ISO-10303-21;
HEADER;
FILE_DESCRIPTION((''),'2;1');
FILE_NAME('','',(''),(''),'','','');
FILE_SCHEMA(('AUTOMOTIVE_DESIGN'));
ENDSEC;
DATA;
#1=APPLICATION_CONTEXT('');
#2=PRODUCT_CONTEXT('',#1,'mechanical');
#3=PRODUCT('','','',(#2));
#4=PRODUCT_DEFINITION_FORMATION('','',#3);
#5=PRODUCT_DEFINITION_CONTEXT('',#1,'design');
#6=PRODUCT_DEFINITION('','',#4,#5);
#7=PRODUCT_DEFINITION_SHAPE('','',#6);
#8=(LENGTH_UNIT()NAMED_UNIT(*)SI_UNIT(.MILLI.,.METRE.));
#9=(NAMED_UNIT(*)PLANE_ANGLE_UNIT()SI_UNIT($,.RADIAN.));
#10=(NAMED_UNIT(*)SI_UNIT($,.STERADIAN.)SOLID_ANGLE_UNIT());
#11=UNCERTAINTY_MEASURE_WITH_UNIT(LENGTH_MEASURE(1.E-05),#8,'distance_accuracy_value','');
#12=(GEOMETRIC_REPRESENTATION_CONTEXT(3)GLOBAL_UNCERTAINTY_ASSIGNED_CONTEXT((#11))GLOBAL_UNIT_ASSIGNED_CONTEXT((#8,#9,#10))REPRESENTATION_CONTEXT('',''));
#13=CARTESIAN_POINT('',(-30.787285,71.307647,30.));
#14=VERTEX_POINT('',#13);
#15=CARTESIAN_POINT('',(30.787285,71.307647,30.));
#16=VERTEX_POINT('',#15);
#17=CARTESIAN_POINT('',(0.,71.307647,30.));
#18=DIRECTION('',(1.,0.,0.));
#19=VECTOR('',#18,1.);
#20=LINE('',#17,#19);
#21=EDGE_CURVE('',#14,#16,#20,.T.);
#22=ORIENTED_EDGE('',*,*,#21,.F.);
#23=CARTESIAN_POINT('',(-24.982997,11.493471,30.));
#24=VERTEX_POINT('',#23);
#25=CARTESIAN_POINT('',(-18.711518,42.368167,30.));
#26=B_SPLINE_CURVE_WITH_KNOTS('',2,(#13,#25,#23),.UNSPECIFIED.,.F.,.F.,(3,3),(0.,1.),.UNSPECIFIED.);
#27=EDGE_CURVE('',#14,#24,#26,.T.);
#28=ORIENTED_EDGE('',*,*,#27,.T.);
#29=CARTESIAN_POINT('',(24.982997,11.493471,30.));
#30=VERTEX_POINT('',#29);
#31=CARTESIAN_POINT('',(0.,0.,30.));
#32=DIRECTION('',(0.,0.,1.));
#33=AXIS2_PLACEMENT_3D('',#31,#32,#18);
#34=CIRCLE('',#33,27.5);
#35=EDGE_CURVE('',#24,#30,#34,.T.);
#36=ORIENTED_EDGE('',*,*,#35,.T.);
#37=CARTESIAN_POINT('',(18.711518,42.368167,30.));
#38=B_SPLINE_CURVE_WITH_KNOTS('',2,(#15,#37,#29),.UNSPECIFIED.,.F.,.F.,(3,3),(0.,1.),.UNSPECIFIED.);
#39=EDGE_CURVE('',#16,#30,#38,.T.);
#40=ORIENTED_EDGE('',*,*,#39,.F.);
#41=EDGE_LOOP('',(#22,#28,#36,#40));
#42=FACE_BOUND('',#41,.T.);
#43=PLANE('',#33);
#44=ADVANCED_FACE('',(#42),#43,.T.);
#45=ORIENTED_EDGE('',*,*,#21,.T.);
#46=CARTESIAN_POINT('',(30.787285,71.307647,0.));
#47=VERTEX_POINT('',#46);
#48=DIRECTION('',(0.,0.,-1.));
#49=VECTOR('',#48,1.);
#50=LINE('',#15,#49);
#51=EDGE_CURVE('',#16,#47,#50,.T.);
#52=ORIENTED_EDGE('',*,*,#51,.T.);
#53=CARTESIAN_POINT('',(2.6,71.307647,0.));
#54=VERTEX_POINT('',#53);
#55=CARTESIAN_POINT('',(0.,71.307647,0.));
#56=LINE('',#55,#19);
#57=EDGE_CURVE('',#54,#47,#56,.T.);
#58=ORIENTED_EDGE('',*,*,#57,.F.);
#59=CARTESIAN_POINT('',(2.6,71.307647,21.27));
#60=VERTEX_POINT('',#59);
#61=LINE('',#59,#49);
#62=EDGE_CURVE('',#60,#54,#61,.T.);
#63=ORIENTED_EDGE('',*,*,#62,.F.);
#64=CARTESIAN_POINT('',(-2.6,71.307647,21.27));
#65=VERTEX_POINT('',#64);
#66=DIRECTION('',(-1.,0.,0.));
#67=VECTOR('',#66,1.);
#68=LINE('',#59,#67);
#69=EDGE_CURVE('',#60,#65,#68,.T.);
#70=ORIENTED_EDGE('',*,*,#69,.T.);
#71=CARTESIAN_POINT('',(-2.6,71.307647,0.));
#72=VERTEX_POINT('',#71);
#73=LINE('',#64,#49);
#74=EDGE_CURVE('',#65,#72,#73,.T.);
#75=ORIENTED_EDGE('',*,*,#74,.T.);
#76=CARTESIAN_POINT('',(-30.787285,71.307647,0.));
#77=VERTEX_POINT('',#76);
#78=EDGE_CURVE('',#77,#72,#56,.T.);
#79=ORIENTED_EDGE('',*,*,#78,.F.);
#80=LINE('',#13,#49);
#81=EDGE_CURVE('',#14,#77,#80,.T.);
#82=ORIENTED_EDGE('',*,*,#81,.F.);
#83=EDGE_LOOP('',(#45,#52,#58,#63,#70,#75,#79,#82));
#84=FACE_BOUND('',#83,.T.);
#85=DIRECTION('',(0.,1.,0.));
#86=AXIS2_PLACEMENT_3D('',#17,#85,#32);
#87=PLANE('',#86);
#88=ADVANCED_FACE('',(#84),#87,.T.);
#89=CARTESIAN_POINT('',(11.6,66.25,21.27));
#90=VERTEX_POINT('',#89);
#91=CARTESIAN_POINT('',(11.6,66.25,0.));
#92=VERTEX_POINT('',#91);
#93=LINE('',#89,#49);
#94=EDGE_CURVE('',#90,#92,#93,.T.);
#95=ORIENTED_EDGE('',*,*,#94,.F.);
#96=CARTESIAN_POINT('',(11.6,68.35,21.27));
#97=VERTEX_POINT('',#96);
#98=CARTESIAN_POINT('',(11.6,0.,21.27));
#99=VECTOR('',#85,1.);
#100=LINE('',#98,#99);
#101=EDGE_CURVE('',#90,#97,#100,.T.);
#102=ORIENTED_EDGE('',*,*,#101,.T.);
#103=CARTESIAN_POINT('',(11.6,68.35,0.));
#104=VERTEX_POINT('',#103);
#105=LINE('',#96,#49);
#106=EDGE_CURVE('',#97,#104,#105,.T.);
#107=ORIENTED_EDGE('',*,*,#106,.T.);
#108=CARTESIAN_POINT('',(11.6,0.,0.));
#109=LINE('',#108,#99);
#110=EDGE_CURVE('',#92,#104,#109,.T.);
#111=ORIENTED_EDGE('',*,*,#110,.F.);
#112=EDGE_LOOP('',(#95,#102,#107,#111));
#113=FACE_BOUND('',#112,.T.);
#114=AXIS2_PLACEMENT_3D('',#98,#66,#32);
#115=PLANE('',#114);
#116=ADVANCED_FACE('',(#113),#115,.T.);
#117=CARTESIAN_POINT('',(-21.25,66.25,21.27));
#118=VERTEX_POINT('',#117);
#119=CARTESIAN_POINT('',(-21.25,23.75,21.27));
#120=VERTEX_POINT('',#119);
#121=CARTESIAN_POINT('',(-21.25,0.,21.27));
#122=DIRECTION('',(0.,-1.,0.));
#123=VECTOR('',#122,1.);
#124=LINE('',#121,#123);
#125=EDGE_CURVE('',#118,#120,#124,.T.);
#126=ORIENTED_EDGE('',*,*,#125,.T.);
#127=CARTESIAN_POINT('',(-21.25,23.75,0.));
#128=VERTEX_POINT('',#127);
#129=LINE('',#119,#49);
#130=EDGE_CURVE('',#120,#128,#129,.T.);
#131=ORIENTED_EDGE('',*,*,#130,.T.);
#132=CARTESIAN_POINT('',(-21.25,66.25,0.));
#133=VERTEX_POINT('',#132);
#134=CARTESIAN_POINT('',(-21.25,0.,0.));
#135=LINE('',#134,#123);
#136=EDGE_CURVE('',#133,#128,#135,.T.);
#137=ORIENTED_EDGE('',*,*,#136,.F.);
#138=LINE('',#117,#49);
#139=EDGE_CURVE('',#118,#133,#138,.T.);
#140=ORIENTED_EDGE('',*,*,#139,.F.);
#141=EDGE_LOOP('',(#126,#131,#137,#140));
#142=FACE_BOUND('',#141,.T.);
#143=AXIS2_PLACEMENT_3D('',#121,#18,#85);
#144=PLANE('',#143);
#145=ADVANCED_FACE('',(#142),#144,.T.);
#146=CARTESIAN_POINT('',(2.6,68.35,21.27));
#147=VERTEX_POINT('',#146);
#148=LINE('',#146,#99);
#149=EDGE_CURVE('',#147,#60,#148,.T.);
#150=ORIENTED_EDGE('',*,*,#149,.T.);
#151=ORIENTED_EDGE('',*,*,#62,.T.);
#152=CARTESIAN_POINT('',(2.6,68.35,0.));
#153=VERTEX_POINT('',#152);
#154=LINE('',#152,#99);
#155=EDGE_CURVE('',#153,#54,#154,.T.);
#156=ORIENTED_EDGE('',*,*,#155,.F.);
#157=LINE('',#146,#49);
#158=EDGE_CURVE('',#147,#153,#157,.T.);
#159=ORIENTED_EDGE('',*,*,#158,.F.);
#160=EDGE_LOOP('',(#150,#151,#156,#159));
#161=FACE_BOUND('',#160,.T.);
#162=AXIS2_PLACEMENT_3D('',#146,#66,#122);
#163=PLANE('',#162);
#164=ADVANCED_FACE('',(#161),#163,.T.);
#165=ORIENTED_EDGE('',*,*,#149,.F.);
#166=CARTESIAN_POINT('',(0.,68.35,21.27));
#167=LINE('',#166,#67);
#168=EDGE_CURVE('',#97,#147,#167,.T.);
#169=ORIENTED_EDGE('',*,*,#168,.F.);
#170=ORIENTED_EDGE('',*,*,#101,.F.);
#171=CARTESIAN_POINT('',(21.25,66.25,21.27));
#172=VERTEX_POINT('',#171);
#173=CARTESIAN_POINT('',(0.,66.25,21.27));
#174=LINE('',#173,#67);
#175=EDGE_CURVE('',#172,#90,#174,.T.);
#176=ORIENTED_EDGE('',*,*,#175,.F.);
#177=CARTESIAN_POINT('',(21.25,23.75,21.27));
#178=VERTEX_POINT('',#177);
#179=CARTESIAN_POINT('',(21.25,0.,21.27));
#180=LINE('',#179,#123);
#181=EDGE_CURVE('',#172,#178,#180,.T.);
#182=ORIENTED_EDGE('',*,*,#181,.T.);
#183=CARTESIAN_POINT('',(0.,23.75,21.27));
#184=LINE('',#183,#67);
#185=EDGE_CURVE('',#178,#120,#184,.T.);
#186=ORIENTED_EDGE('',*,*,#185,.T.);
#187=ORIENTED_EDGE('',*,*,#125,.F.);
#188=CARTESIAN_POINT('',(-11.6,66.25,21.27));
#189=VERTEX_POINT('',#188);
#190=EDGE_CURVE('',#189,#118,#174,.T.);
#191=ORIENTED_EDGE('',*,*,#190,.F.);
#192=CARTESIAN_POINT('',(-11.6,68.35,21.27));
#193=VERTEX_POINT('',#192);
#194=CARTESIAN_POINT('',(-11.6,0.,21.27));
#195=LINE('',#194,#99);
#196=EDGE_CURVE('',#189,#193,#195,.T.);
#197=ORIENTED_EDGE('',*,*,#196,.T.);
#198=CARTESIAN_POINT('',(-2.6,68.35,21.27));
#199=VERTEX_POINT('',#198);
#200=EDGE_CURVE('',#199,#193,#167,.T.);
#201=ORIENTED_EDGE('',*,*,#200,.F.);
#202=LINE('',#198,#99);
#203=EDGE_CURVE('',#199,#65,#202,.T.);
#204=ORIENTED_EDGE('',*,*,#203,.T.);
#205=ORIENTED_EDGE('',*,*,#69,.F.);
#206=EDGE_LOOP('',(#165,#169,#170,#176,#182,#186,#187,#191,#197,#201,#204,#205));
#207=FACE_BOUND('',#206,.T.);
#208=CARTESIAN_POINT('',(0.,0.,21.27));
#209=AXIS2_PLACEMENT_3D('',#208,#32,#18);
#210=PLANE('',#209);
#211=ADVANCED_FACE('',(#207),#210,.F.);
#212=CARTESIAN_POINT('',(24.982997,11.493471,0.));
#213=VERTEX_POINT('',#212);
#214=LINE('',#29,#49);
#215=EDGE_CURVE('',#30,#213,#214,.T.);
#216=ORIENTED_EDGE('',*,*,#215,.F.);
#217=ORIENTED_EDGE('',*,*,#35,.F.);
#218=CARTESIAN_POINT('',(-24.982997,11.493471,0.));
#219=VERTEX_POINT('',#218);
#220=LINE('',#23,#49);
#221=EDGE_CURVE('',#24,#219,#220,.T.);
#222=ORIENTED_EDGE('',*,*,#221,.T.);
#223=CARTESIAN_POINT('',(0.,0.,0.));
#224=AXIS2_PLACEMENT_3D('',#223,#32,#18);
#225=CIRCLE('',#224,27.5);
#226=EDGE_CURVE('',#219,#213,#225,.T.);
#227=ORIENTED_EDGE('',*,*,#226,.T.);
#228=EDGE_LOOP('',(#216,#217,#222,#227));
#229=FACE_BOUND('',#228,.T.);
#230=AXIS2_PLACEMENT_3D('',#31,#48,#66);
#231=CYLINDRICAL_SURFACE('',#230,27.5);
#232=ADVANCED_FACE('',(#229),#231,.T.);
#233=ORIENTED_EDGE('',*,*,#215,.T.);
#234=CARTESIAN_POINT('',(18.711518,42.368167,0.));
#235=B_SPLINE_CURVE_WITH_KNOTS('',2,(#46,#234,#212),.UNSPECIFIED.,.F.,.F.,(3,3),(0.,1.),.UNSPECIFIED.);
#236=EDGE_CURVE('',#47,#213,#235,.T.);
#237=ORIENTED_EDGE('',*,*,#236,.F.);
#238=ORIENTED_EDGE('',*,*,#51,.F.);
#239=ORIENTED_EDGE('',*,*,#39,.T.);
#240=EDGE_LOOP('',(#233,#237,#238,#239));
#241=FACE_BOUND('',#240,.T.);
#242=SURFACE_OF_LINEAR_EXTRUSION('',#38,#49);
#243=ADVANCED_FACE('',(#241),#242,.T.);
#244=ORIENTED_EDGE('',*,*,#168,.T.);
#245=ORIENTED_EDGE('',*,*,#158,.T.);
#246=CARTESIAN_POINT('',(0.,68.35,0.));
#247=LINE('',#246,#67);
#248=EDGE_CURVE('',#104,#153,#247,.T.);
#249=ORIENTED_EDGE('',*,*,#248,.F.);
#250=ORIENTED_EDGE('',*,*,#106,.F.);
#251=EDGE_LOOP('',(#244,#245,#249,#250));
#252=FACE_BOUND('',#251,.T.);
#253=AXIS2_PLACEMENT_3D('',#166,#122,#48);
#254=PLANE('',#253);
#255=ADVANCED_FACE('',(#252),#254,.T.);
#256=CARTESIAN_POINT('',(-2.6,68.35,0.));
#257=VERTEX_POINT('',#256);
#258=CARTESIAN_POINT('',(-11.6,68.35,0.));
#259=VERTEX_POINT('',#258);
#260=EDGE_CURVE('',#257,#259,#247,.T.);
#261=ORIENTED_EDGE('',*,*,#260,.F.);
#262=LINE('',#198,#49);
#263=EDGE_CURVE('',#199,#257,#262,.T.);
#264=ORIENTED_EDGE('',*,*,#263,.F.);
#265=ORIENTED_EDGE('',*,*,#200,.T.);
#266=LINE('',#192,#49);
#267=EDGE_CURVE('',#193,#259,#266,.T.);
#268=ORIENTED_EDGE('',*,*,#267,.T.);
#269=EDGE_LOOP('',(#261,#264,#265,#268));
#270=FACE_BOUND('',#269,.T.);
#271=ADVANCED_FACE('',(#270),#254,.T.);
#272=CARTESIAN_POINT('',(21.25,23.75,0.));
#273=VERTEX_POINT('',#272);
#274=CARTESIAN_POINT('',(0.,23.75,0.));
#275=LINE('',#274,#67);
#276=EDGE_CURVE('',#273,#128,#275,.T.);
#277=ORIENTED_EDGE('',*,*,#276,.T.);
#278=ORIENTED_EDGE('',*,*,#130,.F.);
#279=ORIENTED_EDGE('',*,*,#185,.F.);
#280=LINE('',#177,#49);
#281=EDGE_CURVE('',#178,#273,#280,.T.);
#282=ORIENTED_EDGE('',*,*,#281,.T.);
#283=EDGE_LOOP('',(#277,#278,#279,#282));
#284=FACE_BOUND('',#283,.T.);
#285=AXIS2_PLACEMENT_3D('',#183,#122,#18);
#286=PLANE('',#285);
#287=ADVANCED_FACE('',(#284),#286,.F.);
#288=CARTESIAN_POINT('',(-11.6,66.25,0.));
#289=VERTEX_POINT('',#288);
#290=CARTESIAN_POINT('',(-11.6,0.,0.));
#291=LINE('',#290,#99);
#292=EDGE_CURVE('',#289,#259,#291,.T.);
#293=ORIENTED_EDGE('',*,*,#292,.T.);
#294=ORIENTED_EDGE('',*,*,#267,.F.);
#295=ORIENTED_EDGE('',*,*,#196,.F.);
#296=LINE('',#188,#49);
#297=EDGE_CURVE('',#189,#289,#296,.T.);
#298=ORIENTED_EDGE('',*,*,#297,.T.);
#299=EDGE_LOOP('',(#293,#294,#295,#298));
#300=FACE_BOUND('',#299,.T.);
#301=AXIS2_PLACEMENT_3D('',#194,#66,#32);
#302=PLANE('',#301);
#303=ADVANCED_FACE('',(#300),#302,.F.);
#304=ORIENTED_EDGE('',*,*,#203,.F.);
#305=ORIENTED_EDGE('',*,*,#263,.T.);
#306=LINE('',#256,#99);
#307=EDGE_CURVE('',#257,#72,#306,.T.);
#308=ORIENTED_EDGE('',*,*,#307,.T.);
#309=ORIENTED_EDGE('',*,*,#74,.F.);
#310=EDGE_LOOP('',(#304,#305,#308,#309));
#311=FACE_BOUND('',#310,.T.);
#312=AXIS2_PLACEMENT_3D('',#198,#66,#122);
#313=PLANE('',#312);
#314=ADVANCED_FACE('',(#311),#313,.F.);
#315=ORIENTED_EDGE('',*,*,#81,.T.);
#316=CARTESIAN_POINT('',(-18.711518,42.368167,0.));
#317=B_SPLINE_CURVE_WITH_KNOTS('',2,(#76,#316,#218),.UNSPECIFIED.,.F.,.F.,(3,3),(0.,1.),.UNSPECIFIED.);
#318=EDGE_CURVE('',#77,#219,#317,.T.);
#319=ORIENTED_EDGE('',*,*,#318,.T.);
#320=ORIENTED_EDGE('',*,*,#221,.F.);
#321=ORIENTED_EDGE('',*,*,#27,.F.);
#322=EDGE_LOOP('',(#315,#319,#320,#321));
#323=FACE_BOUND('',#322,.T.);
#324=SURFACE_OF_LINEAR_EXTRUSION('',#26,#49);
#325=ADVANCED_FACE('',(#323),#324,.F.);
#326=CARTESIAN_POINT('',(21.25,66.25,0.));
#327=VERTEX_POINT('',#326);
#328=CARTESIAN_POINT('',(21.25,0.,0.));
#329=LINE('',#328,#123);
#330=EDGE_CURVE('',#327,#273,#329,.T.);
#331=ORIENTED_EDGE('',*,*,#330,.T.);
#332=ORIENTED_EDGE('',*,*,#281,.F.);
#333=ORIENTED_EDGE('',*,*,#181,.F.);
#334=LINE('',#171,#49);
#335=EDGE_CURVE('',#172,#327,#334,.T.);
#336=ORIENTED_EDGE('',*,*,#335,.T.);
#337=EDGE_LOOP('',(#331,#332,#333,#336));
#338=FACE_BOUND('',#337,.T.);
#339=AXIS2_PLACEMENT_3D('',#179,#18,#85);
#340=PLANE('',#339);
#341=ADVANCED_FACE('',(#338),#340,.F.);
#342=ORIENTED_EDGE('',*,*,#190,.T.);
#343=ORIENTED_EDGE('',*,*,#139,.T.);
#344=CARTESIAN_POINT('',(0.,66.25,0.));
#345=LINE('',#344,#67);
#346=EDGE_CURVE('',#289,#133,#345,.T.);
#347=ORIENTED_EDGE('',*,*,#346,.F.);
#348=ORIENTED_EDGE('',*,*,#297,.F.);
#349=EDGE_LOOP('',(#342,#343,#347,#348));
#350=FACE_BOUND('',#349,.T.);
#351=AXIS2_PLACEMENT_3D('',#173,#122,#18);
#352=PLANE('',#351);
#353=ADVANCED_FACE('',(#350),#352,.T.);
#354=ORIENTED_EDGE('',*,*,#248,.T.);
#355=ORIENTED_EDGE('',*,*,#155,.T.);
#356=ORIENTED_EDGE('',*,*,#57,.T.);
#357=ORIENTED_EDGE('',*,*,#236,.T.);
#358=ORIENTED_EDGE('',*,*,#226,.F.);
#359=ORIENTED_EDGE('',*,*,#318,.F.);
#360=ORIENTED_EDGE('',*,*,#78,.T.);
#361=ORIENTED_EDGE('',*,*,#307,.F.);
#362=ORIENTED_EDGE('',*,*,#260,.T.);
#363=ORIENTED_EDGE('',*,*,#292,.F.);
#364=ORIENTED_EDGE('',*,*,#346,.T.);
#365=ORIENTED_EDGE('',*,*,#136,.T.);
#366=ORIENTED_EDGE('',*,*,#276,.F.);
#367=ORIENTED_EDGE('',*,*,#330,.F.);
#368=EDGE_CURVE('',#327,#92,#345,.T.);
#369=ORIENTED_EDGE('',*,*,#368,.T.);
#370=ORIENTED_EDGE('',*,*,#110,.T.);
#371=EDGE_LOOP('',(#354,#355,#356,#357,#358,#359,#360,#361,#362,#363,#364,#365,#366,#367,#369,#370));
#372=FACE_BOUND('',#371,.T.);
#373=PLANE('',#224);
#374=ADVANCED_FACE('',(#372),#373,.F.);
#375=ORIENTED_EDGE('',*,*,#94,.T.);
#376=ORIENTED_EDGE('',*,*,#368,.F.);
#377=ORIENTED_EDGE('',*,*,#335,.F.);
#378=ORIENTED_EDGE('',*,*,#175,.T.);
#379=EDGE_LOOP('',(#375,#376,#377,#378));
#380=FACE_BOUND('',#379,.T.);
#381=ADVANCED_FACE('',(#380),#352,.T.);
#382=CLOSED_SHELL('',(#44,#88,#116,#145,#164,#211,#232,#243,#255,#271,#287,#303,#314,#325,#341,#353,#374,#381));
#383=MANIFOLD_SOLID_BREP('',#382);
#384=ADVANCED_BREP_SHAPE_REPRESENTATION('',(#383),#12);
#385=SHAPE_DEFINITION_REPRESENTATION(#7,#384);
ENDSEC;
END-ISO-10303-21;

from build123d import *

# Parameters (mm, degrees)
BOSS_EXTRUDE1_DEPTH = 30
SKETCH2_W           = 42.5
SKETCH2_H           = 42.5
SKETCH2_W_2         = 5.2
SKETCH2_H_2         = 2.957646667
CUT_EXTRUDE1_DEPTH  = 21.27


with BuildPart() as part:
    # Sketch1 → Boss-Extrude1 (new body)
    with BuildSketch(Plane.XY):
        with BuildLine():
            Line((30.787284994, 71.307646667), (-30.787284994, 71.307646667))
            add(Edge.make_bspline(
                [(-30.787284994, 71.307646667), (-18.71151784, 42.368167262), (-24.982996832, 11.493470723)],
                knots=[0, 0, 0, 1, 1, 1], degree=2))
            ThreePointArc((-24.982996832, 11.493470723), (0, -27.5), (24.982996832, 11.493470723))
            add(Edge.make_bspline(
                [(30.787284994, 71.307646667), (18.71151784, 42.368167262), (24.982996832, 11.493470723)],
                knots=[0, 0, 0, 1, 1, 1], degree=2))
        make_face()
    extrude(amount=BOSS_EXTRUDE1_DEPTH)

    # Sketch2 → Cut-Extrude1 (cut)
    with BuildSketch(Plane.XY):
        with Locations((0, 45)):
            Rectangle(SKETCH2_W, SKETCH2_H)
        Polygon((-11.6, 66.25), (11.6, 66.25), (11.6, 68.35), (2.6, 68.35), (-2.6, 68.35), (-11.6, 68.35), align=None)
        with Locations((0, 69.828823333)):
            Rectangle(SKETCH2_W_2, SKETCH2_H_2)
    extrude(amount=CUT_EXTRUDE1_DEPTH, mode=Mode.SUBTRACT)


solid = part.part
